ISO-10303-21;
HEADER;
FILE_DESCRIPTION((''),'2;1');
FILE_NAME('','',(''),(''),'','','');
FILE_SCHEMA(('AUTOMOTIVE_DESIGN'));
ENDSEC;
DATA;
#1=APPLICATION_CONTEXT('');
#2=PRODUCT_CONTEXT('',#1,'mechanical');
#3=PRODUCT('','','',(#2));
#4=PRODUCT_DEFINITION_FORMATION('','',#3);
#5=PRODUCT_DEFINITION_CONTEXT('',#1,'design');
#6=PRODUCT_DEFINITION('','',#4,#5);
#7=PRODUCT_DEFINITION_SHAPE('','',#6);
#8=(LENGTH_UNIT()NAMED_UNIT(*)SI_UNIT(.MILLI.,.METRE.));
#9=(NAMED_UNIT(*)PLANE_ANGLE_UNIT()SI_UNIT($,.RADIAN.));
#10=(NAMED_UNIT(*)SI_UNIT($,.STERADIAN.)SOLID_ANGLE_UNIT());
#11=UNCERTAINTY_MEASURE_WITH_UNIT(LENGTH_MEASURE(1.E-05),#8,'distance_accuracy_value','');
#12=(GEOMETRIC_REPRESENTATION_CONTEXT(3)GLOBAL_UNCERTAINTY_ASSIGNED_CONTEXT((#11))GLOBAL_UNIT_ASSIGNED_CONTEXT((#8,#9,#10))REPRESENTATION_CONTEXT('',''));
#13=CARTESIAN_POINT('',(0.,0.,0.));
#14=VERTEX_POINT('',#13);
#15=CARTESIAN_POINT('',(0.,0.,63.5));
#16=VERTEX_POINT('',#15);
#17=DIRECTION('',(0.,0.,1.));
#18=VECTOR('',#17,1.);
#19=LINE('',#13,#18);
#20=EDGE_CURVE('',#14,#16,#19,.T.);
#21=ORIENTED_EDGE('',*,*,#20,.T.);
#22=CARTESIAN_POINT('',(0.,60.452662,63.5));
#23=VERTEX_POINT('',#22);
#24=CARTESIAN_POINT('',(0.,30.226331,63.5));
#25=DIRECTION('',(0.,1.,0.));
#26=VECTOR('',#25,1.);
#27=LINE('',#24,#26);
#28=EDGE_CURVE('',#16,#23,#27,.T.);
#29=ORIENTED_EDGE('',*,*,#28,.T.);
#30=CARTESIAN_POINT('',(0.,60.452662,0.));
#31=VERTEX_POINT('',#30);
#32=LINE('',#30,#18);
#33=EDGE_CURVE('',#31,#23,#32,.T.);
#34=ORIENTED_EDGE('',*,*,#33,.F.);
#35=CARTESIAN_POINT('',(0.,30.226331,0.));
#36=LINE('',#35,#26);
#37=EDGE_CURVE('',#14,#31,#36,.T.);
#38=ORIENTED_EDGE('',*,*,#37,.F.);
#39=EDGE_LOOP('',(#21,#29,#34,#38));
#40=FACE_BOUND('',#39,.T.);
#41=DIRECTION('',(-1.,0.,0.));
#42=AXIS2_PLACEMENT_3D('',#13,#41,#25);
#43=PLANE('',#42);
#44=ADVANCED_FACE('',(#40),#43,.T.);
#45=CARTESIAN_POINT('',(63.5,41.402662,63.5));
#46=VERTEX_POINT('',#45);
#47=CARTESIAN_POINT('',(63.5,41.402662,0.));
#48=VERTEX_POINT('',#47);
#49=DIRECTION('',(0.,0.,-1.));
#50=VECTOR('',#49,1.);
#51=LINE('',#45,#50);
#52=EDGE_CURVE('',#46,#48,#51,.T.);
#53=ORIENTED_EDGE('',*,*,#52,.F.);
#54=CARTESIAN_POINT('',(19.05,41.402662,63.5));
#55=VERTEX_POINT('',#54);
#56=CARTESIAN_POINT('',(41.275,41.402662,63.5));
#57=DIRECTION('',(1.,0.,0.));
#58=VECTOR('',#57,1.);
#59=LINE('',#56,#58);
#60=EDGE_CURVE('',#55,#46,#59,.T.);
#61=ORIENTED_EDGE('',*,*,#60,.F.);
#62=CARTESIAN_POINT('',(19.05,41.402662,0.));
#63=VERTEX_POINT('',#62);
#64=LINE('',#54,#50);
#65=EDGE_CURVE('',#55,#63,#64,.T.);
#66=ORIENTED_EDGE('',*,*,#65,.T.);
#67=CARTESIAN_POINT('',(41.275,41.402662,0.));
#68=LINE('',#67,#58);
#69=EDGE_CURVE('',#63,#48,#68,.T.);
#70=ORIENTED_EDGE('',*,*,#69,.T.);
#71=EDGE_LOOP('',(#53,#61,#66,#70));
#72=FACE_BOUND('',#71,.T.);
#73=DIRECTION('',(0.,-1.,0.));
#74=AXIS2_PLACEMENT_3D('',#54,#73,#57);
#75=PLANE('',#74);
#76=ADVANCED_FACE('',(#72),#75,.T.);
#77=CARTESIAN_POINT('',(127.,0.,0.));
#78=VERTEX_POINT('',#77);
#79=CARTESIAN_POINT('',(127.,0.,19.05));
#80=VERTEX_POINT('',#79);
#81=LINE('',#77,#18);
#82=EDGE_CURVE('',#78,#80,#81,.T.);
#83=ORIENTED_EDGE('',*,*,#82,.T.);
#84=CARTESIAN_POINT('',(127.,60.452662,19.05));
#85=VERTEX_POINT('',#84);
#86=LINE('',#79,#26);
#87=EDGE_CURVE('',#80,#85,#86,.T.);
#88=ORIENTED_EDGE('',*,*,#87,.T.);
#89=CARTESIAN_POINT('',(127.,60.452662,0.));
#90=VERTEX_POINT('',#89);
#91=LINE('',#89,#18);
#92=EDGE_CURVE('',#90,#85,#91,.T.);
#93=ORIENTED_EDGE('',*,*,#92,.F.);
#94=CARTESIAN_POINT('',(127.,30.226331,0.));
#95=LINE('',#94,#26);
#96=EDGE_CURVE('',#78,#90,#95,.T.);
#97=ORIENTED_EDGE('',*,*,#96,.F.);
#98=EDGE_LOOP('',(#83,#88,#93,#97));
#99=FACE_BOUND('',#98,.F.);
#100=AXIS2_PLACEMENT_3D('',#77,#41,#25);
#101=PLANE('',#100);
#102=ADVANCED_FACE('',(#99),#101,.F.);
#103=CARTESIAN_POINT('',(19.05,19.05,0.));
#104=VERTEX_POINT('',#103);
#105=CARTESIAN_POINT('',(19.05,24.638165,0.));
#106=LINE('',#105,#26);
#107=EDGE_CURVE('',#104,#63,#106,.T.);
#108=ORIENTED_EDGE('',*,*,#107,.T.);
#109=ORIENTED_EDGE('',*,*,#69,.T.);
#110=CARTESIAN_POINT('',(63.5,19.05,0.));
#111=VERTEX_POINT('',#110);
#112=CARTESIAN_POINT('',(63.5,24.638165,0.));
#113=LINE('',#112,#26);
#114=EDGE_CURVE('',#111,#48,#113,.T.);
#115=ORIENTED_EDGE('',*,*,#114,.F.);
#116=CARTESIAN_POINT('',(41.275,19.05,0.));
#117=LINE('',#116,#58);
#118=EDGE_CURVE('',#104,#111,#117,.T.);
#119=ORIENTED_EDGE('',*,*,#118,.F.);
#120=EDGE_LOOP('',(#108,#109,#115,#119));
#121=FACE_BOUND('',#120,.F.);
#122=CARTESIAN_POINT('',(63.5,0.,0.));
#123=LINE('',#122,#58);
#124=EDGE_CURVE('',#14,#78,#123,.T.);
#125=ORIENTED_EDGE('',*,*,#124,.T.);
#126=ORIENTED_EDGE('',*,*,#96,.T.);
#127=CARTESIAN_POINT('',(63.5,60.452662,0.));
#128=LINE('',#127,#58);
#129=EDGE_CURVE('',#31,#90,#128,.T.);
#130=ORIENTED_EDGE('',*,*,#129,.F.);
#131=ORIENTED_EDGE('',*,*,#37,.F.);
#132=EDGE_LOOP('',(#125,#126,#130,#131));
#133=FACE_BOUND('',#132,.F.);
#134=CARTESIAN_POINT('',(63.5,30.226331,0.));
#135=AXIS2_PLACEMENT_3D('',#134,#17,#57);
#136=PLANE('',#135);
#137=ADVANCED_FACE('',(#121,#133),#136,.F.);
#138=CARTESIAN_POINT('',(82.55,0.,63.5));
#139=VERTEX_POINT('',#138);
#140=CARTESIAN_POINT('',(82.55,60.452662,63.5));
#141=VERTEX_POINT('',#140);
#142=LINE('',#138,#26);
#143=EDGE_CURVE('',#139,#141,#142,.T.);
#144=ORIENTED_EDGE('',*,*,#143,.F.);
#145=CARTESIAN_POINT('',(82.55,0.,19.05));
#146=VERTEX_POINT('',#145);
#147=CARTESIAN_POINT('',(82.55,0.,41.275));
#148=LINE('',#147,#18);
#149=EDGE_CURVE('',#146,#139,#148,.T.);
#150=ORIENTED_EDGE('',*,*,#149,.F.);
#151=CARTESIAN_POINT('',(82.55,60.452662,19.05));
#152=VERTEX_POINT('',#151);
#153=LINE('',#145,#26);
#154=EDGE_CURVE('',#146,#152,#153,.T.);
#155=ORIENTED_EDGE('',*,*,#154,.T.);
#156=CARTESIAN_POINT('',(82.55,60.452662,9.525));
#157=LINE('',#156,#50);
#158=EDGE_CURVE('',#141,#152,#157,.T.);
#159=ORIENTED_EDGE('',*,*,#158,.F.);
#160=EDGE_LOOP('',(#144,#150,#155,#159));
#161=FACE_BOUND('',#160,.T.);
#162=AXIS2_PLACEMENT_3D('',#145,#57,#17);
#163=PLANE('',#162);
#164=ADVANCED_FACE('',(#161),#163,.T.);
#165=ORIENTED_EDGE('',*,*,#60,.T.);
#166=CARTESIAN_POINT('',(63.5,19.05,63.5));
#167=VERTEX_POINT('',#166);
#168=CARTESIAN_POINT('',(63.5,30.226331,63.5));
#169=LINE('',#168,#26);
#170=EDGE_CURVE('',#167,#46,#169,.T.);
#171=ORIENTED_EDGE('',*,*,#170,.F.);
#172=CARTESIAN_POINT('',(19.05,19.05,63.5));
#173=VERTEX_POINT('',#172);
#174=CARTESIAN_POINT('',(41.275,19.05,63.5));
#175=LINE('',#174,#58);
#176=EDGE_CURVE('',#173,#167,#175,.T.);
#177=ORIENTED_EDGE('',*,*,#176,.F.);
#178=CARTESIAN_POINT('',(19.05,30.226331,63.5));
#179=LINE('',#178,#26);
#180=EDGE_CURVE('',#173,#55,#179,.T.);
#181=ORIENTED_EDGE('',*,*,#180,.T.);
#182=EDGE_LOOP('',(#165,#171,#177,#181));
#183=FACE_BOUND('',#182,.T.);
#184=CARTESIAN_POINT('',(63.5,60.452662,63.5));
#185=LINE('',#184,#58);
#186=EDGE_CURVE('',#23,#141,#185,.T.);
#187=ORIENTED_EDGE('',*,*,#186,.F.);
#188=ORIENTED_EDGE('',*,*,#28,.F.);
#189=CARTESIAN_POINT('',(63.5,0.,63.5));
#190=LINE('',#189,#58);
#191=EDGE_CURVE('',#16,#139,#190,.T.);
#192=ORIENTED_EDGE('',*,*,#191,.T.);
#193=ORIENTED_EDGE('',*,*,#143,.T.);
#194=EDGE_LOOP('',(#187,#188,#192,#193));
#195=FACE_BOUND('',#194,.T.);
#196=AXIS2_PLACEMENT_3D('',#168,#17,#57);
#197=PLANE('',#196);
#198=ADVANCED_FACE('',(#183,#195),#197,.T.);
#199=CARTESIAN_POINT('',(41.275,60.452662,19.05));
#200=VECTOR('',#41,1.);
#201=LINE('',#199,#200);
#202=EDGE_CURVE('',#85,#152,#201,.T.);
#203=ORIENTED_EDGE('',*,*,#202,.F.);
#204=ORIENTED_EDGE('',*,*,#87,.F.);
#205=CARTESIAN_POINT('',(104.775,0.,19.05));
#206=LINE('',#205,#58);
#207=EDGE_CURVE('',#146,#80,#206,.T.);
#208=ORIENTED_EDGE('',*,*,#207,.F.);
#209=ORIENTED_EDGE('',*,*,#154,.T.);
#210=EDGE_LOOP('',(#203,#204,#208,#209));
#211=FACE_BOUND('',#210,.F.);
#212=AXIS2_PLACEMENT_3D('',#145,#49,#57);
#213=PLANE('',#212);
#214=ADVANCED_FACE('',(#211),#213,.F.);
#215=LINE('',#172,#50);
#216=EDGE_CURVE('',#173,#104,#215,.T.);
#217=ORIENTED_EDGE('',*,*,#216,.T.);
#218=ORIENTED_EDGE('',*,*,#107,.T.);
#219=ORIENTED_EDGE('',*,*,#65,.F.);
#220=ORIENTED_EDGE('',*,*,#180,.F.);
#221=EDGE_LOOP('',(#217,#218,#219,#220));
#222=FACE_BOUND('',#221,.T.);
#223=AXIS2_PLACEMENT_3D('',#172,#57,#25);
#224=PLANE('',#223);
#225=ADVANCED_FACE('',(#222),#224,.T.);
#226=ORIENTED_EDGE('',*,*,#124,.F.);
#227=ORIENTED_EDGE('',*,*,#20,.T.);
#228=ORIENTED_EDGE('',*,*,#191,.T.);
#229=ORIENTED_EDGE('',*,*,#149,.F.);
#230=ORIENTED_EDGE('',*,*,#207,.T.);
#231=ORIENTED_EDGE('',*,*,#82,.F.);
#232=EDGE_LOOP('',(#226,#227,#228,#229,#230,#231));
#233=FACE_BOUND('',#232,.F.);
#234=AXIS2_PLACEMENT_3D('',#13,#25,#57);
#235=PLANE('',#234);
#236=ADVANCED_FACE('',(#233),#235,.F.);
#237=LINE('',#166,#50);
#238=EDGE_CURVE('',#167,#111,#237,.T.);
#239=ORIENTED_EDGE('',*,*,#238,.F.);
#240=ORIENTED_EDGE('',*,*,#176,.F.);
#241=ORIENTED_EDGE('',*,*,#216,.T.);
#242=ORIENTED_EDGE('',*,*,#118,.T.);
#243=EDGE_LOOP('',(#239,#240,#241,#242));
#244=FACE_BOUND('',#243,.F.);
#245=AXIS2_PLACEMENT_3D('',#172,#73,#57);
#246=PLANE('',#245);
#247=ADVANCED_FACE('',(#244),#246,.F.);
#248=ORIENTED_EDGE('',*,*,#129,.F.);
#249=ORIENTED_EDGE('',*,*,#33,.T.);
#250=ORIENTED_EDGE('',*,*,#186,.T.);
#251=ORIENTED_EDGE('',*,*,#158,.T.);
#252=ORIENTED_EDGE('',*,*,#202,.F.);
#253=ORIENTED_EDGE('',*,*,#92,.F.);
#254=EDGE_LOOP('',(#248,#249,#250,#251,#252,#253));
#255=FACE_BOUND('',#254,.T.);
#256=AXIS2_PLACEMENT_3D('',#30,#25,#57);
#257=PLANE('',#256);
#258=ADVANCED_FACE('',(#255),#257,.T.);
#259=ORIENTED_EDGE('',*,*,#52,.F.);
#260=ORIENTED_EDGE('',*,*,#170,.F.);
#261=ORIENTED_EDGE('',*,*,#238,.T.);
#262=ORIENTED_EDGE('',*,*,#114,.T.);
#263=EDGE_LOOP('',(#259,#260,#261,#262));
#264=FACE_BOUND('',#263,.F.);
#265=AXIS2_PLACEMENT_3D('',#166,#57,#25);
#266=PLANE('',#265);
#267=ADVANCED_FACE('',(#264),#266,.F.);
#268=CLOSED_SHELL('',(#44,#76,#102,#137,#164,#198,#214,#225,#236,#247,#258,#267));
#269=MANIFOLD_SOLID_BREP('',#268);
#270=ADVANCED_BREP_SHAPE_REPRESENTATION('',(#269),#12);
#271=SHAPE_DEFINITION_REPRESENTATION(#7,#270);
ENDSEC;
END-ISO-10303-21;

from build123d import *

# Parameters (mm, degrees)
F0_W     = 127
F0_H     = 60.452662
F1_DEPTH = 63.5
F2_W     = 44.45
F2_H     = 22.352662
F3_DEPTH = 63.501
F4_W     = 44.45
F4_H     = 44.45
F5_DEPTH = 63.5


with BuildPart() as f1:
    # F0 (on Top) → F1 (new body)
    with BuildSketch(Plane.XY):
        with Locations((63.5, 30.226331)):
            Rectangle(F0_W, F0_H)
    extrude(amount=F1_DEPTH)

    # F2 (on face) → F3 (cut, through all)
    with BuildSketch(Plane.XY.offset(63.5)):
        with Locations((41.275, 30.226331)):
            Rectangle(F2_W, F2_H)
    extrude(amount=-F3_DEPTH, mode=Mode.SUBTRACT)

    # F4 (on face) → F5 (cut)
    with BuildSketch(Plane.XZ):
        with Locations((104.775, 41.275)):
            Rectangle(F4_W, F4_H)
    extrude(amount=-F5_DEPTH, mode=Mode.SUBTRACT)


solid = f1.part
